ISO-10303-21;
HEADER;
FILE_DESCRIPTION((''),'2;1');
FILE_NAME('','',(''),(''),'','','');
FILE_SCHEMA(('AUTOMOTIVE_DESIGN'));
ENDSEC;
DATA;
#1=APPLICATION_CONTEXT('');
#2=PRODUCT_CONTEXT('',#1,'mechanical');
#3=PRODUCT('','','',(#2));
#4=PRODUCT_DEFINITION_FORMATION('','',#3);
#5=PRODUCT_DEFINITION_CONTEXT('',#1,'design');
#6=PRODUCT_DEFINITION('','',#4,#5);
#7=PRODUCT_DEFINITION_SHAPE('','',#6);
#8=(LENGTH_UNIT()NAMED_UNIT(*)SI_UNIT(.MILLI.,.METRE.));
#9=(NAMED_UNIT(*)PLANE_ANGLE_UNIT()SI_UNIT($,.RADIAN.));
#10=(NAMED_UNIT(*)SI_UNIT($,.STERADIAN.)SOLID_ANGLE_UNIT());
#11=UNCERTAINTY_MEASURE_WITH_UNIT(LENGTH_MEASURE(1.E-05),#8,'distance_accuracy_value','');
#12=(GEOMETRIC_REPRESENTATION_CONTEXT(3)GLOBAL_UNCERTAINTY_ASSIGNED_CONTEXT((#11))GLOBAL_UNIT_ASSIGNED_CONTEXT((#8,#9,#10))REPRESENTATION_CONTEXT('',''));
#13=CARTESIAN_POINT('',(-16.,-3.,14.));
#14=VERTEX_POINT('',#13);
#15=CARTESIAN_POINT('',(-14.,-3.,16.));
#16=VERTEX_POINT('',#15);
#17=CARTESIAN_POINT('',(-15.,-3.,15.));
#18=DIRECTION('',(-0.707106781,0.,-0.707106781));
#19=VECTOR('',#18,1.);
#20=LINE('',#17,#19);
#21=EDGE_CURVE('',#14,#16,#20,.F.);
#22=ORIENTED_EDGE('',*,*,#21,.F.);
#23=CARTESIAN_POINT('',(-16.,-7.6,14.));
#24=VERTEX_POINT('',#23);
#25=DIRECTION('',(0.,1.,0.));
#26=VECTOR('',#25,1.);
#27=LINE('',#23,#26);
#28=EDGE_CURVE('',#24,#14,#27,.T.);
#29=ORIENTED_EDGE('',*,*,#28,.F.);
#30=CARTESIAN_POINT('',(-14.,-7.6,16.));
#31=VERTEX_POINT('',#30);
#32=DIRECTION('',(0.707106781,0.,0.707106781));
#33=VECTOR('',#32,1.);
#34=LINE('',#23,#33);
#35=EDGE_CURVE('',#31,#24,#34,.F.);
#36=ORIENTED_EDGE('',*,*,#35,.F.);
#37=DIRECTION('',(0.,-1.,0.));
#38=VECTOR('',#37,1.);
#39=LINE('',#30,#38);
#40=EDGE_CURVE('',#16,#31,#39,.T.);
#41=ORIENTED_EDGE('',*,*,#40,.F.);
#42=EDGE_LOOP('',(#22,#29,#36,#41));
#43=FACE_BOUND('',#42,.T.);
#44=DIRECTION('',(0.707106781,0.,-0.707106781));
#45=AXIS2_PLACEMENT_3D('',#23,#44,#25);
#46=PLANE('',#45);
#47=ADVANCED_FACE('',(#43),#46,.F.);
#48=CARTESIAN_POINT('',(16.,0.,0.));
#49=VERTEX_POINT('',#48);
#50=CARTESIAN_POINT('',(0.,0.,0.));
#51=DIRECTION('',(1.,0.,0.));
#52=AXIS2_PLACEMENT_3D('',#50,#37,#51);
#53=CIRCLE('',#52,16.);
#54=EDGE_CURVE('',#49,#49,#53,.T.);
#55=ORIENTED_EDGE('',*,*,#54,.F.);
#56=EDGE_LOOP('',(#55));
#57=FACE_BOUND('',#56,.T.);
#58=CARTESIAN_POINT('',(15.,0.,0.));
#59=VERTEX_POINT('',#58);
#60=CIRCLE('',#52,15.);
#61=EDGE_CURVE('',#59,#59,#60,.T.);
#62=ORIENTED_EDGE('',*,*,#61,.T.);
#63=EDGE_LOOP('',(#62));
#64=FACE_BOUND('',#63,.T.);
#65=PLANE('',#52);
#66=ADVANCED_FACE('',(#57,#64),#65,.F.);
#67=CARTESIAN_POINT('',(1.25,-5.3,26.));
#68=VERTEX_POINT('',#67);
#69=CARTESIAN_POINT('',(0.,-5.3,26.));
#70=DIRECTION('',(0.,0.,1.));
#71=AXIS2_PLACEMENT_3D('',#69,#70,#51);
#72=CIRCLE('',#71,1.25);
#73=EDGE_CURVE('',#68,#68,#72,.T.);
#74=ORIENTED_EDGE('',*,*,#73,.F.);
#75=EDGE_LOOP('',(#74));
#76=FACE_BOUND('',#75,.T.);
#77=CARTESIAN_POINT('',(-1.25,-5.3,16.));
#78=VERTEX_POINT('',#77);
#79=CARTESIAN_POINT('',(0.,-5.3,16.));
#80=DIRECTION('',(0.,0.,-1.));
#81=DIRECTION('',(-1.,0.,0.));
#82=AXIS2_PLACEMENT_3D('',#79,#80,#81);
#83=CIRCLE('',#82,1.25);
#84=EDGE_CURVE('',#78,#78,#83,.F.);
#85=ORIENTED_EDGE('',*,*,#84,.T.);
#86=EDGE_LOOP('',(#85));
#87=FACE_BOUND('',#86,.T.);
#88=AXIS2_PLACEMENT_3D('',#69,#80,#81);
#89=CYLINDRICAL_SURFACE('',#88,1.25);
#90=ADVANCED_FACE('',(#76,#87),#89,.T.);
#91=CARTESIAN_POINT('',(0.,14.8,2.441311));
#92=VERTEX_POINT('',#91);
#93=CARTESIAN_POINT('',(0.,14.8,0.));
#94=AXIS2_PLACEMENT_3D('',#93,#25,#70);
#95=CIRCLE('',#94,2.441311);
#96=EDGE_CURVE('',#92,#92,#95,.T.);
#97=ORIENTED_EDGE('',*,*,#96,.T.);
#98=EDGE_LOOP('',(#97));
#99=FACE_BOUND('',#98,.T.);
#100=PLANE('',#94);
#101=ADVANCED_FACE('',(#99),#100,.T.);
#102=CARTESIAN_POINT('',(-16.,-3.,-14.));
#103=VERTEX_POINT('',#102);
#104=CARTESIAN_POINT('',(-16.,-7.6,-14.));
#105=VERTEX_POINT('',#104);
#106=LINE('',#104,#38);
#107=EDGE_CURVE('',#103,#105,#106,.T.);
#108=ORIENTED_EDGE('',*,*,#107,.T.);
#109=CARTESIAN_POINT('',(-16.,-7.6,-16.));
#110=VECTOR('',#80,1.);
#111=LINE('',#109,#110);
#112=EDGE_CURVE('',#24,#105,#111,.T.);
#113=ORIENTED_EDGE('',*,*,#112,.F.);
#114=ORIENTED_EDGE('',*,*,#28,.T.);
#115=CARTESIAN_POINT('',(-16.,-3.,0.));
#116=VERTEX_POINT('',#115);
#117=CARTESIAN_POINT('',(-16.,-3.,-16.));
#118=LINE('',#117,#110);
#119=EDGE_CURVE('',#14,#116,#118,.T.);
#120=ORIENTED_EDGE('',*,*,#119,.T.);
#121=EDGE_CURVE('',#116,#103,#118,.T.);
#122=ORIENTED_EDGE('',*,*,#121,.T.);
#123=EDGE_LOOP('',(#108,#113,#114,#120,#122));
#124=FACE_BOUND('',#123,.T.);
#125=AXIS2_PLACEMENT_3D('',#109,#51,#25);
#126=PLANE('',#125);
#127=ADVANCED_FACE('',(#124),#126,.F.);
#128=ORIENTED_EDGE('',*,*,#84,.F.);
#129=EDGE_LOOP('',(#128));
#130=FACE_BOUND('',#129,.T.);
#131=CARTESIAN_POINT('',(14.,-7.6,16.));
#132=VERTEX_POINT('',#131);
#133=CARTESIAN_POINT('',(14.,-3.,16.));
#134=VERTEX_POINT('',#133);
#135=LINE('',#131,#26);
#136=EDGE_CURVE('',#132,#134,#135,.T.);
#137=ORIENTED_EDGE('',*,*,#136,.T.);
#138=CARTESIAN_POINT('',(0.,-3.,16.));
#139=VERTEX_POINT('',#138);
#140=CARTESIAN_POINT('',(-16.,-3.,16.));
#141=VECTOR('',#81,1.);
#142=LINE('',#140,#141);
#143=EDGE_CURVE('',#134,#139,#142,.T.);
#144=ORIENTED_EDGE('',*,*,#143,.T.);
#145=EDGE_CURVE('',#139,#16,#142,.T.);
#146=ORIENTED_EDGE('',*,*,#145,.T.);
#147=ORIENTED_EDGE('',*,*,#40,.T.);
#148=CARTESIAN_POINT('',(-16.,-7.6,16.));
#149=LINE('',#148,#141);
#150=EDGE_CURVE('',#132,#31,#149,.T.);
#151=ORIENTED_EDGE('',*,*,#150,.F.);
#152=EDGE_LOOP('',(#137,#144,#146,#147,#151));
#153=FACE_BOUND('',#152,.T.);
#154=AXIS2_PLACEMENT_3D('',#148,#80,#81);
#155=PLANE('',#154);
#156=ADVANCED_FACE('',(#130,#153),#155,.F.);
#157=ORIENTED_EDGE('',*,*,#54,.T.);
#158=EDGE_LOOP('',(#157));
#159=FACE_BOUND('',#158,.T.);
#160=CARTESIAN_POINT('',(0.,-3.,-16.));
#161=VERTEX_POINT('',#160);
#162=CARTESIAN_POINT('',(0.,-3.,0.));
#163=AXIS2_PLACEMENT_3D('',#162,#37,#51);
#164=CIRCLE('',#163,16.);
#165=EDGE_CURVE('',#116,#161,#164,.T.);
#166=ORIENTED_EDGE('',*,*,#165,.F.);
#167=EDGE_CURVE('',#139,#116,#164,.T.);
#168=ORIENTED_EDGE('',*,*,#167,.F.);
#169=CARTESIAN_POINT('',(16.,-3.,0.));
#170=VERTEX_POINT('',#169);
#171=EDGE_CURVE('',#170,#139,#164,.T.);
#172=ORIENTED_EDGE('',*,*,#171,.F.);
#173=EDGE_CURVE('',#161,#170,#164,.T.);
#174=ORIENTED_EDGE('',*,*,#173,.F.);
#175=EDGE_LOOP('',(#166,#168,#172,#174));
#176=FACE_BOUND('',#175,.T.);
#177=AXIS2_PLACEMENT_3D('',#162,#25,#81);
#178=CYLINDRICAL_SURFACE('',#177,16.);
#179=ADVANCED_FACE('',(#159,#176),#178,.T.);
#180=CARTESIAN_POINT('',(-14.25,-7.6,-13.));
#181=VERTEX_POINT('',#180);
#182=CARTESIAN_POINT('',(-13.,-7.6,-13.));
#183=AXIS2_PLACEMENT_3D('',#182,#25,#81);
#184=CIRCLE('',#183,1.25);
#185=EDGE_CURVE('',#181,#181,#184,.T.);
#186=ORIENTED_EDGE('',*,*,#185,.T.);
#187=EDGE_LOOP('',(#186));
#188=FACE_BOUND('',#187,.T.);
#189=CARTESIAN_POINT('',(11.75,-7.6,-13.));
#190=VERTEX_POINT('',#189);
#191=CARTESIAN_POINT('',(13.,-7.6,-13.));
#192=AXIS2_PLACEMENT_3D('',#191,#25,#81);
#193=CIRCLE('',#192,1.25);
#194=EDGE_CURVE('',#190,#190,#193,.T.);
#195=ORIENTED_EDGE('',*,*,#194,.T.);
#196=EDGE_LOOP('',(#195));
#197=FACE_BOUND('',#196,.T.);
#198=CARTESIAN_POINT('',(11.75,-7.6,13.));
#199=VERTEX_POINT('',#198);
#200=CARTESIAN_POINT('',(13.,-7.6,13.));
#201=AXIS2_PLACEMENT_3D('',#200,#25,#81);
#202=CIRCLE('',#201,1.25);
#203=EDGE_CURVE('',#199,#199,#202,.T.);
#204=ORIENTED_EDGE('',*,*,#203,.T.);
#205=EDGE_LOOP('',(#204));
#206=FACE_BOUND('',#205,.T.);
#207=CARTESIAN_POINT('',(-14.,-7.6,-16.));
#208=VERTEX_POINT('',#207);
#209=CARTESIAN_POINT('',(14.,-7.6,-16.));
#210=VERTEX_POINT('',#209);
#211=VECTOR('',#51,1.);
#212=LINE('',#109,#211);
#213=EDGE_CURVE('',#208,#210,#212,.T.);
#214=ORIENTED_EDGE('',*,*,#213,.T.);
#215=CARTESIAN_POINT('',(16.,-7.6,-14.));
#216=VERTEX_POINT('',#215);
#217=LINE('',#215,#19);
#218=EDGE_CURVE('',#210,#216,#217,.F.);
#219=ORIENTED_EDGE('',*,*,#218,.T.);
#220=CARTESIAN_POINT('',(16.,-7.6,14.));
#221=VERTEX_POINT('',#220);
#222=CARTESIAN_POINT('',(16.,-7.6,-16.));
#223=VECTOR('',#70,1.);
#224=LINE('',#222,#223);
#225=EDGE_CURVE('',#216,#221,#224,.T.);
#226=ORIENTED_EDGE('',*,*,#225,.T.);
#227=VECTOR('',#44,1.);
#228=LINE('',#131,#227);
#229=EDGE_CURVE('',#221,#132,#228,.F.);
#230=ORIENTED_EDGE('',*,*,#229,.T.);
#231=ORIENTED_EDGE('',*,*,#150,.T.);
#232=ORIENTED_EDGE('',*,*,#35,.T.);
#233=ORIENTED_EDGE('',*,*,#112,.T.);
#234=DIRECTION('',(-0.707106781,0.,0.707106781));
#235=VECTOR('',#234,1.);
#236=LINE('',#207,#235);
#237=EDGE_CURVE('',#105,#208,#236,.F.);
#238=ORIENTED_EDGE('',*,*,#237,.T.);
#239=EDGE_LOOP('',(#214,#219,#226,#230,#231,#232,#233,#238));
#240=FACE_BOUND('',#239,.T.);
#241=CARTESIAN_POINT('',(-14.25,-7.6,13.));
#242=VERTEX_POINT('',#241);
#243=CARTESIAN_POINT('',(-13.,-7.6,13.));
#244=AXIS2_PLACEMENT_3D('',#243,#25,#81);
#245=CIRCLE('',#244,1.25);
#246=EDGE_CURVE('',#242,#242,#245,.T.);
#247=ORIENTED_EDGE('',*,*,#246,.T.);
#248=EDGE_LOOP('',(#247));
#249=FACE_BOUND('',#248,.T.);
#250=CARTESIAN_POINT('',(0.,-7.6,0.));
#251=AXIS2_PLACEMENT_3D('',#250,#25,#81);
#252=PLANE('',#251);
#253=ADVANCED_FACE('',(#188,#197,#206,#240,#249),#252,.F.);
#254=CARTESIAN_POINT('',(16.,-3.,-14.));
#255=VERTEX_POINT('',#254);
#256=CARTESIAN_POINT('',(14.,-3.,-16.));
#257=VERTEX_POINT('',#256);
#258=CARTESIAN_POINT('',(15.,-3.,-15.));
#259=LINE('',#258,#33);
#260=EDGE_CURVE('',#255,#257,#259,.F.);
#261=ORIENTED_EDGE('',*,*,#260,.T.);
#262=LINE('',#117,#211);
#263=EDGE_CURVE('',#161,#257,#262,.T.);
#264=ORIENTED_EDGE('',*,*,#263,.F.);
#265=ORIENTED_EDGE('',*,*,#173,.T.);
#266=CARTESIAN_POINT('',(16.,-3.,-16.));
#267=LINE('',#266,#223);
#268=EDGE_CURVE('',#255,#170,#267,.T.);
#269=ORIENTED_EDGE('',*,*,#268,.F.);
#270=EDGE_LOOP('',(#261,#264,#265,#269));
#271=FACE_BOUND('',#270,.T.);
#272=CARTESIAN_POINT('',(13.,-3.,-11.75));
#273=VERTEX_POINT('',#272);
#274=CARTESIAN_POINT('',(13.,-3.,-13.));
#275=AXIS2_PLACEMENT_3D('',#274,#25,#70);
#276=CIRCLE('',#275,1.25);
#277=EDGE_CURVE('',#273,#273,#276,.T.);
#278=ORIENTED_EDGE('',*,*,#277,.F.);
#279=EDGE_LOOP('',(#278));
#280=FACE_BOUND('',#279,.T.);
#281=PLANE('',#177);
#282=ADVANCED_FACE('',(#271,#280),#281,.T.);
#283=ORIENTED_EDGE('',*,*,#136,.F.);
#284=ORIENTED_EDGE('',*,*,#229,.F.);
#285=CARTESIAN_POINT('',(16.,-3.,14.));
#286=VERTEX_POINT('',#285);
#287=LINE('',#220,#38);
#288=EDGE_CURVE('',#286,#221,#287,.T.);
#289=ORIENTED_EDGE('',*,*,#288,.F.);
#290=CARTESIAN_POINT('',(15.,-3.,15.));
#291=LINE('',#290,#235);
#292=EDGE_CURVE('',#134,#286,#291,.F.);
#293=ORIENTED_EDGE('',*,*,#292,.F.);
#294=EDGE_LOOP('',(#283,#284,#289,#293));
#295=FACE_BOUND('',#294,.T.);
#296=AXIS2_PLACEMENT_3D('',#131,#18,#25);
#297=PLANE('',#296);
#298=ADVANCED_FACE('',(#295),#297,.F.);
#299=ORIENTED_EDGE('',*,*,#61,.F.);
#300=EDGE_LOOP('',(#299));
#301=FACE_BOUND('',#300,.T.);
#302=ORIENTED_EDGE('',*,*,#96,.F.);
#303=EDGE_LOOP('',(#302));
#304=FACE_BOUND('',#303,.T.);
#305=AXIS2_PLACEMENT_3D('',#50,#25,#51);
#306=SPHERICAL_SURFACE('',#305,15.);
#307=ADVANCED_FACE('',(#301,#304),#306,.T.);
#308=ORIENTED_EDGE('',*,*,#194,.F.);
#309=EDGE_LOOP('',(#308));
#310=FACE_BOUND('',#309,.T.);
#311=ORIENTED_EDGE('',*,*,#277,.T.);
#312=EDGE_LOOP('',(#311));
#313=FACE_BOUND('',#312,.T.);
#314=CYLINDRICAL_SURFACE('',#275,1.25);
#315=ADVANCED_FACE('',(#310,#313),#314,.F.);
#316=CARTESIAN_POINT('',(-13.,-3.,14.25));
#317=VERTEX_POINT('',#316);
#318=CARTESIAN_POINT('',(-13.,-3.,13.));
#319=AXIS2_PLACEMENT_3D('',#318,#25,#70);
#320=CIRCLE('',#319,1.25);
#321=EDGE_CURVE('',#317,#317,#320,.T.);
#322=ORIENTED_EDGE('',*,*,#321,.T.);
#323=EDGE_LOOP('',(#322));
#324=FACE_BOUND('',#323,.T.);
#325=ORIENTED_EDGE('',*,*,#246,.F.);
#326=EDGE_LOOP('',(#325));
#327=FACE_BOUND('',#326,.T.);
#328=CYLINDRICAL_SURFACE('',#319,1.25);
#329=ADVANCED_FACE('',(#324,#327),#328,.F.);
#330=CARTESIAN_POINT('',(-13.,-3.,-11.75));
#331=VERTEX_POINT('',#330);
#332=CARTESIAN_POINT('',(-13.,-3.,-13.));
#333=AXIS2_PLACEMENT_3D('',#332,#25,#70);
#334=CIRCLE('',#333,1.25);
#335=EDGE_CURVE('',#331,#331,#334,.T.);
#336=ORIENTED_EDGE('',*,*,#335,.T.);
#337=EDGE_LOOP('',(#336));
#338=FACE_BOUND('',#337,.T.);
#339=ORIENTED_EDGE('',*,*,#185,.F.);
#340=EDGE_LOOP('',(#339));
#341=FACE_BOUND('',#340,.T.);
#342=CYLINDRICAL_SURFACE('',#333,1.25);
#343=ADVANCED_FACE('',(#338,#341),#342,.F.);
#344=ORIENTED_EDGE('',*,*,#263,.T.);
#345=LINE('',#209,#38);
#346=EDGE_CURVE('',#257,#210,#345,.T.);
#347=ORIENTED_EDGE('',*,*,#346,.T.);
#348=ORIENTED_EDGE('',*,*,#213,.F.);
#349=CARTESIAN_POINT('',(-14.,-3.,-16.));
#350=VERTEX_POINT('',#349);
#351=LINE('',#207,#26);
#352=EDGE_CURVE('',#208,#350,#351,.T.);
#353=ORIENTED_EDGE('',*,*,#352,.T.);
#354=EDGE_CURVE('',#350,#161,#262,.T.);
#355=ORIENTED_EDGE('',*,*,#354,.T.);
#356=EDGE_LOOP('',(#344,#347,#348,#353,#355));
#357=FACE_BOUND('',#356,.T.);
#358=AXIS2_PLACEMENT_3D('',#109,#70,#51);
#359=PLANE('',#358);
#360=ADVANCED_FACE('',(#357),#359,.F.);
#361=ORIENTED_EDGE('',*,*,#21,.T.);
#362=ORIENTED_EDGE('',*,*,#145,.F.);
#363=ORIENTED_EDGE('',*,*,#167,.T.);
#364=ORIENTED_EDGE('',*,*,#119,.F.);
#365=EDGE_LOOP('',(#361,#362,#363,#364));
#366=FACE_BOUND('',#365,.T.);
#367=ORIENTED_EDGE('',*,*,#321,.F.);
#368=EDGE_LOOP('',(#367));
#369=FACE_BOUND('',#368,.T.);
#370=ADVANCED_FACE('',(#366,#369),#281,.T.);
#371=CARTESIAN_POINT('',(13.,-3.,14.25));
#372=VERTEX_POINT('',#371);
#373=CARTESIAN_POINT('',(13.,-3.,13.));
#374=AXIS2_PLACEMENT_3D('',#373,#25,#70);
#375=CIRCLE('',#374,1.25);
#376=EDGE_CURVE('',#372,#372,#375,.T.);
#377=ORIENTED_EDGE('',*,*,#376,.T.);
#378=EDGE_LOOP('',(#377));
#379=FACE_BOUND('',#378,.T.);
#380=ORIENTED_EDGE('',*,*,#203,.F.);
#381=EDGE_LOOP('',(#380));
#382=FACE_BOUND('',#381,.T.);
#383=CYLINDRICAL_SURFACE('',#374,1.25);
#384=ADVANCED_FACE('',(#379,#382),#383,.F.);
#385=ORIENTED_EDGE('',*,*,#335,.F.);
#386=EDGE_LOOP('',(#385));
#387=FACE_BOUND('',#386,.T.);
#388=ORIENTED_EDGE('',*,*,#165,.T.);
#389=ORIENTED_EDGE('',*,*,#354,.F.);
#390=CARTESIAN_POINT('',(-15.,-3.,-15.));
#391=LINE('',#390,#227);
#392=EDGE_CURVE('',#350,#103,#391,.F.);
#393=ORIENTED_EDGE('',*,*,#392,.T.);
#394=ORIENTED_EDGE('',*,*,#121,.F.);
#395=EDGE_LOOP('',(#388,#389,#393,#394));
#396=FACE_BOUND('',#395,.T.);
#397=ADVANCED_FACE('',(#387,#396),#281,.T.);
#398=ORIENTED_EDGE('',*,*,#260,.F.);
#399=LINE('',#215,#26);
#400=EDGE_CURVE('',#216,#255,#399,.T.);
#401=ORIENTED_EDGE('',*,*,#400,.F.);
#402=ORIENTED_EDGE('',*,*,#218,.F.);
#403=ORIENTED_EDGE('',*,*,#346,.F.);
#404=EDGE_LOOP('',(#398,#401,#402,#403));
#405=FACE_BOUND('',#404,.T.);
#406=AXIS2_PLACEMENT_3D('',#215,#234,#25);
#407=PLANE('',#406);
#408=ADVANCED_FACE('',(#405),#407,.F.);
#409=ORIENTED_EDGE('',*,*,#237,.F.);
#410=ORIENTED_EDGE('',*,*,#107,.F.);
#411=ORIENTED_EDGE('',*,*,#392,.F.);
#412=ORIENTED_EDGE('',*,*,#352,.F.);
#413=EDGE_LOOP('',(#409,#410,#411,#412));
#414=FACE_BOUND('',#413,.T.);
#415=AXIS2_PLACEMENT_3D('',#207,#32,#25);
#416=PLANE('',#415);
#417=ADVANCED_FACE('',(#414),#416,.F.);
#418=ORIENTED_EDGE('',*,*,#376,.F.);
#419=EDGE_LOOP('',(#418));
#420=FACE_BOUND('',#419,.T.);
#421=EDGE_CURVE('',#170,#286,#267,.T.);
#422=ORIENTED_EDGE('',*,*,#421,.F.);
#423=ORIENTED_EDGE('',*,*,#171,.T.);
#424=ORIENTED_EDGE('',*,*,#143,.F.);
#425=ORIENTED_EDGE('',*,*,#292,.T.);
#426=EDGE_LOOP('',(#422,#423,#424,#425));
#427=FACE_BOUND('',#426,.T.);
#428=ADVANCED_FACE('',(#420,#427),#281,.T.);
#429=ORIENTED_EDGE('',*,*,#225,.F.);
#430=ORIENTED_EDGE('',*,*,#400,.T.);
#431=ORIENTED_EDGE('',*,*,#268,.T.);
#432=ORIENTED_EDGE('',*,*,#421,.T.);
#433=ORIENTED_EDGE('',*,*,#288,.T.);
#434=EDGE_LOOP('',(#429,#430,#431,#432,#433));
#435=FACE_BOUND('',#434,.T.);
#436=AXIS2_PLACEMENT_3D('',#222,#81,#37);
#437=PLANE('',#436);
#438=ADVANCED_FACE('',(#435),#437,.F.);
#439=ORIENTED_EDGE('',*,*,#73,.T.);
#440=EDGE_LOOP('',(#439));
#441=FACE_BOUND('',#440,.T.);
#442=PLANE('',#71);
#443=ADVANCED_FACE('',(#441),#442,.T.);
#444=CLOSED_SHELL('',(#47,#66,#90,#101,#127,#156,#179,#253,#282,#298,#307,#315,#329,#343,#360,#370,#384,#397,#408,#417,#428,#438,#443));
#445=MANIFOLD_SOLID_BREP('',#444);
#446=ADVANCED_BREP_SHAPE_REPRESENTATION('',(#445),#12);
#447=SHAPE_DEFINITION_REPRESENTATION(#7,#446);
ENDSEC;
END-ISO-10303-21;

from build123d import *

# Parameters (mm, degrees)
SKETCH2_R             = 16
BOSS_EXTRUDE1_DEPTH   = 3
SKETCH3_W             = 32
SKETCH3_H             = 32
BOSS_EXTRUDE2_DEPTH   = 4.6
F_2_5MM_DOWEL_HOLE1_D = 2.5
CHAMFER1_SIZE         = 2
SKETCH11_R            = 1.25
BOSS_EXTRUDE3_DEPTH   = 10
SKETCH12_R            = 16
CUT_EXTRUDE1_DEPTH    = 38.865023439


with BuildPart() as part:
    # Sketch1 → Revolve1 (revolve)
    with BuildSketch(Plane.XY):
        with BuildLine():
            Line((0, 0), (15, 0))
            ThreePointArc((15, 0), (10.606601718, 10.606601718), (0, 15))
            Line((0, 15), (0, 0))
        make_face()
    revolve(axis=Axis((0, 15, 0), (0, -1, 0)))

    # Sketch2 → Boss-Extrude1 (add)
    with BuildSketch(Plane.XZ):
        Circle(SKETCH2_R)
    extrude(amount=BOSS_EXTRUDE1_DEPTH)

    # Sketch3 → Boss-Extrude2 (add)
    with BuildSketch(Plane.XZ.offset(3)):
        Rectangle(SKETCH3_W, SKETCH3_H)
    extrude(amount=BOSS_EXTRUDE2_DEPTH)

    # Ø2.5mm Dowel Hole1 (through all)
    with Locations(Plane(origin=(0, -3, 0), x_dir=(1, 0, 0), z_dir=(0, 1, 0))):
        with Locations((-13, 13), (13, -13), (13, 13), (-13, -13)):
            Hole(F_2_5MM_DOWEL_HOLE1_D / 2)

    # Chamfer1
    chamfer1_edges = [part.edges().sort_by_distance(p)[0] for p in [
        (16, -5.3, -16),
        (16, -5.3, 16),
        (-16, -5.3, 16),
        (-16, -5.3, -16),
    ]]
    chamfer(chamfer1_edges, length=CHAMFER1_SIZE)

    # Sketch11 → Boss-Extrude3 (add)
    with BuildSketch(Plane.XY.offset(16)):
        with Locations(Location((0, -5.3, 0), (0, 0, 180))):
            Circle(SKETCH11_R)
    extrude(amount=BOSS_EXTRUDE3_DEPTH)

    # Sketch12 → Cut-Extrude1 (cut, through all)
    with BuildSketch(Plane(origin=(0, 14.8, 0), x_dir=(1, 0, 0), z_dir=(0, 1, 0))):
        Circle(SKETCH12_R)
    extrude(amount=CUT_EXTRUDE1_DEPTH, mode=Mode.SUBTRACT)


solid = part.part
